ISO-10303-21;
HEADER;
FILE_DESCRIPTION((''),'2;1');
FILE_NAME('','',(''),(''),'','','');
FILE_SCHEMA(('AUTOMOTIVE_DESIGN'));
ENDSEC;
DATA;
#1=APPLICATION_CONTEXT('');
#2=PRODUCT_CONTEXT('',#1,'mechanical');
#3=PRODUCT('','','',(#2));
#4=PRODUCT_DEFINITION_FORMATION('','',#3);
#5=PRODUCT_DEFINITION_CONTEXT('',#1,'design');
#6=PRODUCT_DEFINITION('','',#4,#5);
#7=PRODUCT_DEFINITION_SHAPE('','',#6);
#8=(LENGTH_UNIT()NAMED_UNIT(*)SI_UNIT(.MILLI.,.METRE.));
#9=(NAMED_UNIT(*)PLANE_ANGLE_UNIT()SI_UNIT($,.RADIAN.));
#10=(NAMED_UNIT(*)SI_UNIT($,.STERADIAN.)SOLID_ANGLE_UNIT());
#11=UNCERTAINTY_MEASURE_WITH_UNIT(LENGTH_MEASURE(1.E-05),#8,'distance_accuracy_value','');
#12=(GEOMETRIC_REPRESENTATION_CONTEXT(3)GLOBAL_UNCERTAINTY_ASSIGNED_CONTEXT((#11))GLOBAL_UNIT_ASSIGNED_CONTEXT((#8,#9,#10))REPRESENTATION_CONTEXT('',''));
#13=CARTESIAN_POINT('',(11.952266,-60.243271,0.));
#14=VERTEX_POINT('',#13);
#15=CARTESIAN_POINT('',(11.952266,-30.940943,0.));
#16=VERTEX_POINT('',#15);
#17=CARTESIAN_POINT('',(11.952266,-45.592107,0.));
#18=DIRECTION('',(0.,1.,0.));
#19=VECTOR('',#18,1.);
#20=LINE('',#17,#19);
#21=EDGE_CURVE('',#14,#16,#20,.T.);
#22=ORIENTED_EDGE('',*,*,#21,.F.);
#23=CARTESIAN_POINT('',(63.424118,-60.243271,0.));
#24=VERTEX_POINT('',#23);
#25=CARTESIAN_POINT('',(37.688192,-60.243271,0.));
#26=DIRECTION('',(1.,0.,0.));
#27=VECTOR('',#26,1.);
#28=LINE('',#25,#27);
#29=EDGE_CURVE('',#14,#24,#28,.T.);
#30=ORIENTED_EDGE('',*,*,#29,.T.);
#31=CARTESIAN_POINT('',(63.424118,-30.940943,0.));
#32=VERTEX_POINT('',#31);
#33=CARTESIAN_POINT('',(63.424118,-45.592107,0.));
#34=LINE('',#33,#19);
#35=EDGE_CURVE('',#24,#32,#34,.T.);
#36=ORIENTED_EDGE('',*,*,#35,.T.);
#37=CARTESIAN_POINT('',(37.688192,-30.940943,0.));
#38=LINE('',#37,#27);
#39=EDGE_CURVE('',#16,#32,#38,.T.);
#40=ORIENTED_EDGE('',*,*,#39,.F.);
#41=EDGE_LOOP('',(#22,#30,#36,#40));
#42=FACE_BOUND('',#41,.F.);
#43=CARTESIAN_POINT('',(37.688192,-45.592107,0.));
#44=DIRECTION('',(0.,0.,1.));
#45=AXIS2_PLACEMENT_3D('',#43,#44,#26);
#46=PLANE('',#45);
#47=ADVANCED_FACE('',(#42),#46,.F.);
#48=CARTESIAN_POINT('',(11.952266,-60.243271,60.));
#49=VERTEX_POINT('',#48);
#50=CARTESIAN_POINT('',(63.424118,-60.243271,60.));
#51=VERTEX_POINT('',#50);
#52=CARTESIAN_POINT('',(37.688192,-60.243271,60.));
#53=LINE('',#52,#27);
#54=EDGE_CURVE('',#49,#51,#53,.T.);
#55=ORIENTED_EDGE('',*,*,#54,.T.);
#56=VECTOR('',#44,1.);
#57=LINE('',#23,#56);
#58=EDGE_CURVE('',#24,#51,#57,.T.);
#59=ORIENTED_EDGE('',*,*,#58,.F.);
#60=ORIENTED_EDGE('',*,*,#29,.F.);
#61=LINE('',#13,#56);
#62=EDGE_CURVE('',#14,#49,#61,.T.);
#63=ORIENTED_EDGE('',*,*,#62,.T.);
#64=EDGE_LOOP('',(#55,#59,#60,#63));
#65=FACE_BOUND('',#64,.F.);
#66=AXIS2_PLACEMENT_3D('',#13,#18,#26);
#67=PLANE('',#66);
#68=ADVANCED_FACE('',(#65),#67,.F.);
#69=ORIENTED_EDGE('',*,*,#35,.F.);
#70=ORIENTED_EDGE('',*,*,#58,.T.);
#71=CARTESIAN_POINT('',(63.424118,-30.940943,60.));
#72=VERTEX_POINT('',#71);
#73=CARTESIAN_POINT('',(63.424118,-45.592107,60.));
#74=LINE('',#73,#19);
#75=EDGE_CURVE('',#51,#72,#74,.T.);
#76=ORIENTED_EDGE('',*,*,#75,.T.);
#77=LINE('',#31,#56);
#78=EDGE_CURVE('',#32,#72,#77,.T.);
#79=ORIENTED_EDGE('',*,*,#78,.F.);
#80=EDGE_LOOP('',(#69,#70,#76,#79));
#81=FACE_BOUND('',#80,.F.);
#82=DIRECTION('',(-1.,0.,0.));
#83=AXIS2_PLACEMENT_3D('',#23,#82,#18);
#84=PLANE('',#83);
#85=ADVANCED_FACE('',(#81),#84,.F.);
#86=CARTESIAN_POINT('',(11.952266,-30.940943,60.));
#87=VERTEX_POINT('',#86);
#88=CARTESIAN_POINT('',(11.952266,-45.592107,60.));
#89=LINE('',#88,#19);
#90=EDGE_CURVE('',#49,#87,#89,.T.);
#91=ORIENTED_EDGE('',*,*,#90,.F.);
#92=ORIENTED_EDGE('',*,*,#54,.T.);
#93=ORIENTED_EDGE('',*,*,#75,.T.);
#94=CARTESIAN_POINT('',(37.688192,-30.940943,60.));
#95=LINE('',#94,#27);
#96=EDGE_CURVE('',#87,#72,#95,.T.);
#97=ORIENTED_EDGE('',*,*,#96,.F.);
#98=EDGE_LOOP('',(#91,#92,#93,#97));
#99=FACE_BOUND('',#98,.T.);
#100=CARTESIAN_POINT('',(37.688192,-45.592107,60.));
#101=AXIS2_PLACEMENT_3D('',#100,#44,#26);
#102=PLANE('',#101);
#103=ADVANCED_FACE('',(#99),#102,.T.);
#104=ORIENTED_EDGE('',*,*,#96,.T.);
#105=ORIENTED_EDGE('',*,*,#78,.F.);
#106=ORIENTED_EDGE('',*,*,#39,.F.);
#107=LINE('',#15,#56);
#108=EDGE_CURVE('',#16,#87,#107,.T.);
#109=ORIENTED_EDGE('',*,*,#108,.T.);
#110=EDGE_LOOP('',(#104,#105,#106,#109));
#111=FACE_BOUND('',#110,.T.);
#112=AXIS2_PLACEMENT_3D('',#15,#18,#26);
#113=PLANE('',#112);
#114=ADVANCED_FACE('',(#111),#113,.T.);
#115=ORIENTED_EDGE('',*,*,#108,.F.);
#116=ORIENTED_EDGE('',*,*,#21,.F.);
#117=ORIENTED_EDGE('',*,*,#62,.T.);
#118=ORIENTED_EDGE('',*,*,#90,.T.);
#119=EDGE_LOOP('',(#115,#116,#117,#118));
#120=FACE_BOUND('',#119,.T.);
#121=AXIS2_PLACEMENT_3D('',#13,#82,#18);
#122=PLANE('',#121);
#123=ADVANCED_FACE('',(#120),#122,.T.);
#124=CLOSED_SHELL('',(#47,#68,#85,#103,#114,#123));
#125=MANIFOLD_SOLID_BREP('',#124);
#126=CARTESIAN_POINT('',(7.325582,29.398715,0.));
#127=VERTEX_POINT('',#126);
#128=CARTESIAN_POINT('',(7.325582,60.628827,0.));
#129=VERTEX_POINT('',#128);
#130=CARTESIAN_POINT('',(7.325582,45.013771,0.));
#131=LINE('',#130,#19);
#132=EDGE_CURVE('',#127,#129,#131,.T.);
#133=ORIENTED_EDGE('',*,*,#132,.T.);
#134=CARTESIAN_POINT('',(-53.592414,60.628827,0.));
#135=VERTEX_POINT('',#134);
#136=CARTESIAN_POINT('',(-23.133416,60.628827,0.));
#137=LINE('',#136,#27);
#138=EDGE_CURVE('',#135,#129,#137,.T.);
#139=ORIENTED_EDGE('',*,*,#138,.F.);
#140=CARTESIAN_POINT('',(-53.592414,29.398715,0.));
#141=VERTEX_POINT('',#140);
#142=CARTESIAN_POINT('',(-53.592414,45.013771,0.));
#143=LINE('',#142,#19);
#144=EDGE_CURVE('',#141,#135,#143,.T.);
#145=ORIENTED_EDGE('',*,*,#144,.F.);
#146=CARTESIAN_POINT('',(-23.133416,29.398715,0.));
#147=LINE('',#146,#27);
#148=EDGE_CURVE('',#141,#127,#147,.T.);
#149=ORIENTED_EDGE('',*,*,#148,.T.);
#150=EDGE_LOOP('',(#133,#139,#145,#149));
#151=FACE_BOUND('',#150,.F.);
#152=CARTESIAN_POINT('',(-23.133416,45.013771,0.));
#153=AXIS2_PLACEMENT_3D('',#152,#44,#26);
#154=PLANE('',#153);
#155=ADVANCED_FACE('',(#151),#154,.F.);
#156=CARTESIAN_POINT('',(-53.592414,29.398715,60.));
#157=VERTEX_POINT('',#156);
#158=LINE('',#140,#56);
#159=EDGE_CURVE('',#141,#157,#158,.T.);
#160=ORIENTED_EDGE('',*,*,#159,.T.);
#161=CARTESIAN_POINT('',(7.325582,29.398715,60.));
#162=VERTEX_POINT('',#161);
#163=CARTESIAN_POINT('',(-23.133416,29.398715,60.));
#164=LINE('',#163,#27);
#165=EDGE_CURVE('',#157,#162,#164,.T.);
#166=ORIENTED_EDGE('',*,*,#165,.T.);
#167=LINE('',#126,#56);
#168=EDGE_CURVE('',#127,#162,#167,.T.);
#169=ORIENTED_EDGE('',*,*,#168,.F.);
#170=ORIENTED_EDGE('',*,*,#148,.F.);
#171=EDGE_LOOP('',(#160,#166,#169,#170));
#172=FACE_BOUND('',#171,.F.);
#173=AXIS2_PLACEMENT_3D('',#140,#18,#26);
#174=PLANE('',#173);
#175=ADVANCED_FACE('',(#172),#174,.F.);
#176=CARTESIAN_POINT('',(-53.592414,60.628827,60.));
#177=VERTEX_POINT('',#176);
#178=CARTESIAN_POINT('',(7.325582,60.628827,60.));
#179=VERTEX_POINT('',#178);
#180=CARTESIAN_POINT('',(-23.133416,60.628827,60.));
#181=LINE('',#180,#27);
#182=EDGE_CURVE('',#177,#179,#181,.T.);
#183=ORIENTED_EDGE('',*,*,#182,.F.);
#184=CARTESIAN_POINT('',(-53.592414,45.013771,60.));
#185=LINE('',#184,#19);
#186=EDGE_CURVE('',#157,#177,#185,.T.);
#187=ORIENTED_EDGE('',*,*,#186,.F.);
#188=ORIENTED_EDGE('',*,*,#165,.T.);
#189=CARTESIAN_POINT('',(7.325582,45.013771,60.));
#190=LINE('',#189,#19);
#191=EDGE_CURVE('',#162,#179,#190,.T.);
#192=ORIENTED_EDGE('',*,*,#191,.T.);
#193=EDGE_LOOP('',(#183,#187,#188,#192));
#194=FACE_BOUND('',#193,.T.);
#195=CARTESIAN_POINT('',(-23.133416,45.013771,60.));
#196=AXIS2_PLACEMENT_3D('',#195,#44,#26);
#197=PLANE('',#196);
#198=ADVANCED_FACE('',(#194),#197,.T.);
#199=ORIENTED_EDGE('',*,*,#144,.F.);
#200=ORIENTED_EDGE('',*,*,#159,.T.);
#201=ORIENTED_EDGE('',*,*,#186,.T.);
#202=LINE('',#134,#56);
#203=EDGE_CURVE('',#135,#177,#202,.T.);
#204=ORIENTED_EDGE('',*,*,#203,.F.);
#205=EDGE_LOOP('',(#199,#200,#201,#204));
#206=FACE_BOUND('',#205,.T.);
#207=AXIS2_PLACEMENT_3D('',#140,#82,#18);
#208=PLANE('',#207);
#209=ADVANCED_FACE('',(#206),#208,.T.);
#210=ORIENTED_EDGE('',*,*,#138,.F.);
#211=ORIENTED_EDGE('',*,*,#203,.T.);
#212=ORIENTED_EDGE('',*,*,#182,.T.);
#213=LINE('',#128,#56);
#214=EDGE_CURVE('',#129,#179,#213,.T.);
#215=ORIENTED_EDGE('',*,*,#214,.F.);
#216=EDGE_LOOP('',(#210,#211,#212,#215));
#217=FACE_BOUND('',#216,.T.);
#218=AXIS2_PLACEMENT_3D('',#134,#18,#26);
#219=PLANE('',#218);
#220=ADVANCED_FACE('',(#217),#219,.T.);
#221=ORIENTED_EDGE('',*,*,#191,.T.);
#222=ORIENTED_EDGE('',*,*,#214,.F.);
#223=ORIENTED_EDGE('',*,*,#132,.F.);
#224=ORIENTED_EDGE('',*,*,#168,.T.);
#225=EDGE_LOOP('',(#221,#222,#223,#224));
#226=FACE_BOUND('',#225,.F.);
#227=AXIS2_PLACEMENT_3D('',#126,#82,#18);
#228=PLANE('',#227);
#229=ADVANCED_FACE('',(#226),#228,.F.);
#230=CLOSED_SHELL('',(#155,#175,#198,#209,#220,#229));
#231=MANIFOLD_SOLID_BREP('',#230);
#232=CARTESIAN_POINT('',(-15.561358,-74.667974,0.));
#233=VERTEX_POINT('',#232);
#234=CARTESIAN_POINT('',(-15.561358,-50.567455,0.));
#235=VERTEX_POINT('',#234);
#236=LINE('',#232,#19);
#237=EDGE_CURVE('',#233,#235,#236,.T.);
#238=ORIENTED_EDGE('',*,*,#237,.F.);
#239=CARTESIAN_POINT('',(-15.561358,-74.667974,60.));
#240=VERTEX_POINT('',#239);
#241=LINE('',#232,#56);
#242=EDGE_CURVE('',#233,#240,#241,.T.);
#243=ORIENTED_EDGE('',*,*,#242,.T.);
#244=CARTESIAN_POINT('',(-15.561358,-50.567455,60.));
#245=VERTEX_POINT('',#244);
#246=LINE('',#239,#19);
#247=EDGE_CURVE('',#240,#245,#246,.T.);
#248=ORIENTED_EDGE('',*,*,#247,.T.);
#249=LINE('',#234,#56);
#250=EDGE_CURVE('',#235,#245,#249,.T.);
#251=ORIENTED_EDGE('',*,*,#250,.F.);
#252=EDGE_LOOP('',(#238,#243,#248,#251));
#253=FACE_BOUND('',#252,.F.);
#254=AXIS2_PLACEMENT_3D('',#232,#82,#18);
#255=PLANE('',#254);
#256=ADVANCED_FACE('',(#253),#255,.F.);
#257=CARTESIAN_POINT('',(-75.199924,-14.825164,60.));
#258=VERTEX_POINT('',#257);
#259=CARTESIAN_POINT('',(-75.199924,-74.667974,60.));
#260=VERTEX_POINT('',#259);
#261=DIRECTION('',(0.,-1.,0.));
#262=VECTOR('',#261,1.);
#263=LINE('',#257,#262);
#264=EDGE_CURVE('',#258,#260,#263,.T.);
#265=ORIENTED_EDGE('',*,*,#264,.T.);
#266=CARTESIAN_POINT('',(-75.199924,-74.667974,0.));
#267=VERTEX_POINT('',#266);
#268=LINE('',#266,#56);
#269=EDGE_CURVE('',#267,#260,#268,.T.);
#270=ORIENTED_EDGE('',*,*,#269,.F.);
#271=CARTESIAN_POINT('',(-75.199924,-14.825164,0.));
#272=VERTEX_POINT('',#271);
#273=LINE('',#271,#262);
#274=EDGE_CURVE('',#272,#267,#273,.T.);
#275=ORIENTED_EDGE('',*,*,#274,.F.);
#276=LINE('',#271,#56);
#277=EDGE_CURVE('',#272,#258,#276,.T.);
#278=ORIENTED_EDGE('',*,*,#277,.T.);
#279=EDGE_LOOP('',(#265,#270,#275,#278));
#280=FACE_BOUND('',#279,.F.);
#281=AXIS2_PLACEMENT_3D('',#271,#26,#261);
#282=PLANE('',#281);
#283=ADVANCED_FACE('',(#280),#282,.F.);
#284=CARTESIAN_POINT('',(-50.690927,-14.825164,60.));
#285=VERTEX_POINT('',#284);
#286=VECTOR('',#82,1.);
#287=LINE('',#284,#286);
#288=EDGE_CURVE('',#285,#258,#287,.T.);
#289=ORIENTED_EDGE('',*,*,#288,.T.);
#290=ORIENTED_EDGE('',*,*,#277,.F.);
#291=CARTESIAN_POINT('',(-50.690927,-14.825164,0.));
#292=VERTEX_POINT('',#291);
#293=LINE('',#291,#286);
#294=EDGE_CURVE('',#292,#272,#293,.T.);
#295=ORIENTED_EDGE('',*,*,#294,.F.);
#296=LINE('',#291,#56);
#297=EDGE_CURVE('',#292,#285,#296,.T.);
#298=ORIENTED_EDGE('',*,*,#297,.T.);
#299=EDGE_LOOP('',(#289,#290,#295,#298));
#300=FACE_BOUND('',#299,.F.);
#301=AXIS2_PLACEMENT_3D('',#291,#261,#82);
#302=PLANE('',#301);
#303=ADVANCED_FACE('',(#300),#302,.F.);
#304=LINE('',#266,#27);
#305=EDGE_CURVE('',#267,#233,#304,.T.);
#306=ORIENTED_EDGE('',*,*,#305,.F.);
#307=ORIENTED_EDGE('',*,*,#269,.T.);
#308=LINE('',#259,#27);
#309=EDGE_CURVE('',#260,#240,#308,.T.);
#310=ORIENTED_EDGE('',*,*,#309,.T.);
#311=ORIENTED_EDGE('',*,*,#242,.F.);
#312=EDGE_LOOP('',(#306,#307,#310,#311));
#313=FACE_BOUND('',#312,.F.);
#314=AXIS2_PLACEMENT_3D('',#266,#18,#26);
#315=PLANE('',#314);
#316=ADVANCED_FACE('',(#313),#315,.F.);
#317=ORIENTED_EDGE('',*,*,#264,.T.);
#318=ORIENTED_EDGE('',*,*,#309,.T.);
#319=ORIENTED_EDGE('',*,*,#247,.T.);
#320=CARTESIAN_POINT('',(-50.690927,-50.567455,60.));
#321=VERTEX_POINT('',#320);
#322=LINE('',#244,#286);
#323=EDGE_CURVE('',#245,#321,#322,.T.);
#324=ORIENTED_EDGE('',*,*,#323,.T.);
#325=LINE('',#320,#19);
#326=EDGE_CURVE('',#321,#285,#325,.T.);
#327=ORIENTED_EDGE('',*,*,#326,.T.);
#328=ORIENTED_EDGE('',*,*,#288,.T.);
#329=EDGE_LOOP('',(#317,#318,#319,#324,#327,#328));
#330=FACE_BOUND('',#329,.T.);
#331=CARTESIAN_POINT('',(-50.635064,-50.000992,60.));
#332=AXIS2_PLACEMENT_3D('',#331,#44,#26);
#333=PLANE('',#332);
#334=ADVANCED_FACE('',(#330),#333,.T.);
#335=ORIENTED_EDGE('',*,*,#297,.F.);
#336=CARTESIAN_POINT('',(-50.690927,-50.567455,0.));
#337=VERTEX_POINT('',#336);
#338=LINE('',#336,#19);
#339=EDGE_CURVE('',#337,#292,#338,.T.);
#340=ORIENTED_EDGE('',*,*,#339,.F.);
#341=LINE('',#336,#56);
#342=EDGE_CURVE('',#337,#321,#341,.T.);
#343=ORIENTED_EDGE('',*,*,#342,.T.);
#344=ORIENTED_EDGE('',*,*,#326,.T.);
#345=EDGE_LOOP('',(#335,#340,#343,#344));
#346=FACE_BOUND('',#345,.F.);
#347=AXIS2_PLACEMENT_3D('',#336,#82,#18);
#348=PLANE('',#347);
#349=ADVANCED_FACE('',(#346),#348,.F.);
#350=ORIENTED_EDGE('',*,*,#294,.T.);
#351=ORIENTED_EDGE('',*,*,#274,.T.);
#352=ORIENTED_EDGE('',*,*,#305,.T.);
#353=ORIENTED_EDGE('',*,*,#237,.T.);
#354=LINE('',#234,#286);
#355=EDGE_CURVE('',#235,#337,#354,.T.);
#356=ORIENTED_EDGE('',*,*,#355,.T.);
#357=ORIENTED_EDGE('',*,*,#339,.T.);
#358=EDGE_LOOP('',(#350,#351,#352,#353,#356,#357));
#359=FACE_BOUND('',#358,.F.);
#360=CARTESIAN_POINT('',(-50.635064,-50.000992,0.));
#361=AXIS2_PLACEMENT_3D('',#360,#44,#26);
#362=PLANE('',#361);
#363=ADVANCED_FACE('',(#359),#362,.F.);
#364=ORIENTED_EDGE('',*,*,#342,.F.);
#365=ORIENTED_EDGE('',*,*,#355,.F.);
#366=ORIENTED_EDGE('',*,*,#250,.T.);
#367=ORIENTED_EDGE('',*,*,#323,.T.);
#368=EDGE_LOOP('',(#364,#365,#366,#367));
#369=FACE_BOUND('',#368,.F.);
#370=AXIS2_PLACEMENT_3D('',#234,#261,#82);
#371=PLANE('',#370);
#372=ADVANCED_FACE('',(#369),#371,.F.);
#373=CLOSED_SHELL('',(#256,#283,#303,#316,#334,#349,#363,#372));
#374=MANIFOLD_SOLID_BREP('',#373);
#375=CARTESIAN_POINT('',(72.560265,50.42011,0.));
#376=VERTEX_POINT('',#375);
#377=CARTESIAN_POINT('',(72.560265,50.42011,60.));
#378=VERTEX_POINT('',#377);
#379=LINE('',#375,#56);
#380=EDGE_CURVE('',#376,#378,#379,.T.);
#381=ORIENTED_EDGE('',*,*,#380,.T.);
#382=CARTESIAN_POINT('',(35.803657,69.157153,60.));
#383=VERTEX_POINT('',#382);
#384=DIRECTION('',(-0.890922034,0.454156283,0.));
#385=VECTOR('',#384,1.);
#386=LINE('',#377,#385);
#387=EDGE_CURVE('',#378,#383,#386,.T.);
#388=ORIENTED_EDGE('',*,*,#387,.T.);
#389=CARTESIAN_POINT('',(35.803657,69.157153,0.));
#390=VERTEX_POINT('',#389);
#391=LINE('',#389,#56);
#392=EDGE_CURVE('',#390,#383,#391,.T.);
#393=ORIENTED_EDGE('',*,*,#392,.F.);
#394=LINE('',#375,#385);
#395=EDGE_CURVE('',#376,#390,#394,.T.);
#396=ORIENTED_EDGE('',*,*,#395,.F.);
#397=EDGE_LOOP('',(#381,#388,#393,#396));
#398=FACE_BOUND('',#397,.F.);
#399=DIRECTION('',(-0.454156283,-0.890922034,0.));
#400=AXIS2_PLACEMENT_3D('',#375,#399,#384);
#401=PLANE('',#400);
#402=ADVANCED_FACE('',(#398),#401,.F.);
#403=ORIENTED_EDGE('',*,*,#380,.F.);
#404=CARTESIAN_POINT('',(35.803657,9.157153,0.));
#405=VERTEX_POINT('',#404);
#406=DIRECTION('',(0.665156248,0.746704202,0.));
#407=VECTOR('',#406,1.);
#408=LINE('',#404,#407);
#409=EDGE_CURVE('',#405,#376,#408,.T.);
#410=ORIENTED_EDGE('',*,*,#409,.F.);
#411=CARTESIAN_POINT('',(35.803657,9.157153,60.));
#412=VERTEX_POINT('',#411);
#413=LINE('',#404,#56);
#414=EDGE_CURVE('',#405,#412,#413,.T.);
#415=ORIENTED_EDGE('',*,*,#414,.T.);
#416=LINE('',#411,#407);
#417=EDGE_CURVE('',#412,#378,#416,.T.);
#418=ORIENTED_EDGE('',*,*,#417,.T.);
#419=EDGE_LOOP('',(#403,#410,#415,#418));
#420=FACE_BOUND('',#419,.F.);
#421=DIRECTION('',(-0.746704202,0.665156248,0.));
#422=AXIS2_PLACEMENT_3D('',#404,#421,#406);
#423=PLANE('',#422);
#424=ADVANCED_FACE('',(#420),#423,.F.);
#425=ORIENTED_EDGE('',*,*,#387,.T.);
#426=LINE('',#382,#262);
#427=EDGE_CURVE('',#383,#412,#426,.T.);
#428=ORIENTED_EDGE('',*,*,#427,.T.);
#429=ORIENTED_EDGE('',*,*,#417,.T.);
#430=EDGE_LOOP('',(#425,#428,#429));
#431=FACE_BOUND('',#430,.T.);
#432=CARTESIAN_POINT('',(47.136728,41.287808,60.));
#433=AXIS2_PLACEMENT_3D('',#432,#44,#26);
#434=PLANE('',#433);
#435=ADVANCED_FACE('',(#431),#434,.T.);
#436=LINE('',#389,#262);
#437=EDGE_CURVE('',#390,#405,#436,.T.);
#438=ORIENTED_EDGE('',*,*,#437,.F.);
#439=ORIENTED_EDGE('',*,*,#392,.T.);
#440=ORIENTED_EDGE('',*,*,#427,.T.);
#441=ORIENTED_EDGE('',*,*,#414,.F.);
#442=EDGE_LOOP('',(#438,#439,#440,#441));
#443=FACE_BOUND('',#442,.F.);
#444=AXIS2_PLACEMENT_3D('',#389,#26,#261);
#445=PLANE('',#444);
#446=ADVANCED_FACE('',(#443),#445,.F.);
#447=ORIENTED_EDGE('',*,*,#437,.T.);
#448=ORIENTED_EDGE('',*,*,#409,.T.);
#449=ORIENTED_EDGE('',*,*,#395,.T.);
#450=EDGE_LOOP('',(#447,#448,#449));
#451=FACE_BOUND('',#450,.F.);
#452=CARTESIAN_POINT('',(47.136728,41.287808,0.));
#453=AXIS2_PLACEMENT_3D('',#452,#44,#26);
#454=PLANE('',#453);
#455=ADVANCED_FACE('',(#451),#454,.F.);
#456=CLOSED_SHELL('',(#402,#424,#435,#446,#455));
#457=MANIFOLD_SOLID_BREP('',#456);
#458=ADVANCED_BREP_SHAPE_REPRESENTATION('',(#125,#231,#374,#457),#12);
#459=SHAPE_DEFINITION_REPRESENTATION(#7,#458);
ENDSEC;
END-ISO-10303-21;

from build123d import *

# Parameters (mm, degrees)
F3_DEPTH = 60
F4_DEPTH = 60
F0_W     = 60.917996
F0_H     = 31.230113
F5_DEPTH = 60
F6_W     = 51.471852
F6_H     = 29.302327
F7_DEPTH = 60


with BuildPart() as f3:
    # F1 (on face) → F3 (new body)
    with BuildSketch(Plane.XY):
        Polygon((72.560265, 50.42011), (35.803657, 69.157153), (35.803657, 9.157153), align=None)
    extrude(amount=F3_DEPTH)


with BuildPart() as f4:
    # F2 (on Top) → F4 (new body)
    with BuildSketch(Plane.XY):
        Polygon((-75.199924, -14.825164), (-75.199924, -74.667974), (-15.561358, -74.667974), (-15.561358, -50.567455), (-50.690927, -50.567455), (-50.690927, -14.825164), align=None)
    extrude(amount=F4_DEPTH)


with BuildPart() as f5:
    # F0 (on Top) → F5 (new body)
    with BuildSketch(Plane.XY):
        with Locations((-23.133416, 45.013771)):
            Rectangle(F0_W, F0_H)
    extrude(amount=F5_DEPTH)


with BuildPart() as f7:
    # F6 (on Top) → F7 (new body)
    with BuildSketch(Plane.XY):
        with Locations((37.688192, -45.592107)):
            Rectangle(F6_W, F6_H)
    extrude(amount=F7_DEPTH)


solid = Compound([f3.part, f4.part, f5.part, f7.part])
